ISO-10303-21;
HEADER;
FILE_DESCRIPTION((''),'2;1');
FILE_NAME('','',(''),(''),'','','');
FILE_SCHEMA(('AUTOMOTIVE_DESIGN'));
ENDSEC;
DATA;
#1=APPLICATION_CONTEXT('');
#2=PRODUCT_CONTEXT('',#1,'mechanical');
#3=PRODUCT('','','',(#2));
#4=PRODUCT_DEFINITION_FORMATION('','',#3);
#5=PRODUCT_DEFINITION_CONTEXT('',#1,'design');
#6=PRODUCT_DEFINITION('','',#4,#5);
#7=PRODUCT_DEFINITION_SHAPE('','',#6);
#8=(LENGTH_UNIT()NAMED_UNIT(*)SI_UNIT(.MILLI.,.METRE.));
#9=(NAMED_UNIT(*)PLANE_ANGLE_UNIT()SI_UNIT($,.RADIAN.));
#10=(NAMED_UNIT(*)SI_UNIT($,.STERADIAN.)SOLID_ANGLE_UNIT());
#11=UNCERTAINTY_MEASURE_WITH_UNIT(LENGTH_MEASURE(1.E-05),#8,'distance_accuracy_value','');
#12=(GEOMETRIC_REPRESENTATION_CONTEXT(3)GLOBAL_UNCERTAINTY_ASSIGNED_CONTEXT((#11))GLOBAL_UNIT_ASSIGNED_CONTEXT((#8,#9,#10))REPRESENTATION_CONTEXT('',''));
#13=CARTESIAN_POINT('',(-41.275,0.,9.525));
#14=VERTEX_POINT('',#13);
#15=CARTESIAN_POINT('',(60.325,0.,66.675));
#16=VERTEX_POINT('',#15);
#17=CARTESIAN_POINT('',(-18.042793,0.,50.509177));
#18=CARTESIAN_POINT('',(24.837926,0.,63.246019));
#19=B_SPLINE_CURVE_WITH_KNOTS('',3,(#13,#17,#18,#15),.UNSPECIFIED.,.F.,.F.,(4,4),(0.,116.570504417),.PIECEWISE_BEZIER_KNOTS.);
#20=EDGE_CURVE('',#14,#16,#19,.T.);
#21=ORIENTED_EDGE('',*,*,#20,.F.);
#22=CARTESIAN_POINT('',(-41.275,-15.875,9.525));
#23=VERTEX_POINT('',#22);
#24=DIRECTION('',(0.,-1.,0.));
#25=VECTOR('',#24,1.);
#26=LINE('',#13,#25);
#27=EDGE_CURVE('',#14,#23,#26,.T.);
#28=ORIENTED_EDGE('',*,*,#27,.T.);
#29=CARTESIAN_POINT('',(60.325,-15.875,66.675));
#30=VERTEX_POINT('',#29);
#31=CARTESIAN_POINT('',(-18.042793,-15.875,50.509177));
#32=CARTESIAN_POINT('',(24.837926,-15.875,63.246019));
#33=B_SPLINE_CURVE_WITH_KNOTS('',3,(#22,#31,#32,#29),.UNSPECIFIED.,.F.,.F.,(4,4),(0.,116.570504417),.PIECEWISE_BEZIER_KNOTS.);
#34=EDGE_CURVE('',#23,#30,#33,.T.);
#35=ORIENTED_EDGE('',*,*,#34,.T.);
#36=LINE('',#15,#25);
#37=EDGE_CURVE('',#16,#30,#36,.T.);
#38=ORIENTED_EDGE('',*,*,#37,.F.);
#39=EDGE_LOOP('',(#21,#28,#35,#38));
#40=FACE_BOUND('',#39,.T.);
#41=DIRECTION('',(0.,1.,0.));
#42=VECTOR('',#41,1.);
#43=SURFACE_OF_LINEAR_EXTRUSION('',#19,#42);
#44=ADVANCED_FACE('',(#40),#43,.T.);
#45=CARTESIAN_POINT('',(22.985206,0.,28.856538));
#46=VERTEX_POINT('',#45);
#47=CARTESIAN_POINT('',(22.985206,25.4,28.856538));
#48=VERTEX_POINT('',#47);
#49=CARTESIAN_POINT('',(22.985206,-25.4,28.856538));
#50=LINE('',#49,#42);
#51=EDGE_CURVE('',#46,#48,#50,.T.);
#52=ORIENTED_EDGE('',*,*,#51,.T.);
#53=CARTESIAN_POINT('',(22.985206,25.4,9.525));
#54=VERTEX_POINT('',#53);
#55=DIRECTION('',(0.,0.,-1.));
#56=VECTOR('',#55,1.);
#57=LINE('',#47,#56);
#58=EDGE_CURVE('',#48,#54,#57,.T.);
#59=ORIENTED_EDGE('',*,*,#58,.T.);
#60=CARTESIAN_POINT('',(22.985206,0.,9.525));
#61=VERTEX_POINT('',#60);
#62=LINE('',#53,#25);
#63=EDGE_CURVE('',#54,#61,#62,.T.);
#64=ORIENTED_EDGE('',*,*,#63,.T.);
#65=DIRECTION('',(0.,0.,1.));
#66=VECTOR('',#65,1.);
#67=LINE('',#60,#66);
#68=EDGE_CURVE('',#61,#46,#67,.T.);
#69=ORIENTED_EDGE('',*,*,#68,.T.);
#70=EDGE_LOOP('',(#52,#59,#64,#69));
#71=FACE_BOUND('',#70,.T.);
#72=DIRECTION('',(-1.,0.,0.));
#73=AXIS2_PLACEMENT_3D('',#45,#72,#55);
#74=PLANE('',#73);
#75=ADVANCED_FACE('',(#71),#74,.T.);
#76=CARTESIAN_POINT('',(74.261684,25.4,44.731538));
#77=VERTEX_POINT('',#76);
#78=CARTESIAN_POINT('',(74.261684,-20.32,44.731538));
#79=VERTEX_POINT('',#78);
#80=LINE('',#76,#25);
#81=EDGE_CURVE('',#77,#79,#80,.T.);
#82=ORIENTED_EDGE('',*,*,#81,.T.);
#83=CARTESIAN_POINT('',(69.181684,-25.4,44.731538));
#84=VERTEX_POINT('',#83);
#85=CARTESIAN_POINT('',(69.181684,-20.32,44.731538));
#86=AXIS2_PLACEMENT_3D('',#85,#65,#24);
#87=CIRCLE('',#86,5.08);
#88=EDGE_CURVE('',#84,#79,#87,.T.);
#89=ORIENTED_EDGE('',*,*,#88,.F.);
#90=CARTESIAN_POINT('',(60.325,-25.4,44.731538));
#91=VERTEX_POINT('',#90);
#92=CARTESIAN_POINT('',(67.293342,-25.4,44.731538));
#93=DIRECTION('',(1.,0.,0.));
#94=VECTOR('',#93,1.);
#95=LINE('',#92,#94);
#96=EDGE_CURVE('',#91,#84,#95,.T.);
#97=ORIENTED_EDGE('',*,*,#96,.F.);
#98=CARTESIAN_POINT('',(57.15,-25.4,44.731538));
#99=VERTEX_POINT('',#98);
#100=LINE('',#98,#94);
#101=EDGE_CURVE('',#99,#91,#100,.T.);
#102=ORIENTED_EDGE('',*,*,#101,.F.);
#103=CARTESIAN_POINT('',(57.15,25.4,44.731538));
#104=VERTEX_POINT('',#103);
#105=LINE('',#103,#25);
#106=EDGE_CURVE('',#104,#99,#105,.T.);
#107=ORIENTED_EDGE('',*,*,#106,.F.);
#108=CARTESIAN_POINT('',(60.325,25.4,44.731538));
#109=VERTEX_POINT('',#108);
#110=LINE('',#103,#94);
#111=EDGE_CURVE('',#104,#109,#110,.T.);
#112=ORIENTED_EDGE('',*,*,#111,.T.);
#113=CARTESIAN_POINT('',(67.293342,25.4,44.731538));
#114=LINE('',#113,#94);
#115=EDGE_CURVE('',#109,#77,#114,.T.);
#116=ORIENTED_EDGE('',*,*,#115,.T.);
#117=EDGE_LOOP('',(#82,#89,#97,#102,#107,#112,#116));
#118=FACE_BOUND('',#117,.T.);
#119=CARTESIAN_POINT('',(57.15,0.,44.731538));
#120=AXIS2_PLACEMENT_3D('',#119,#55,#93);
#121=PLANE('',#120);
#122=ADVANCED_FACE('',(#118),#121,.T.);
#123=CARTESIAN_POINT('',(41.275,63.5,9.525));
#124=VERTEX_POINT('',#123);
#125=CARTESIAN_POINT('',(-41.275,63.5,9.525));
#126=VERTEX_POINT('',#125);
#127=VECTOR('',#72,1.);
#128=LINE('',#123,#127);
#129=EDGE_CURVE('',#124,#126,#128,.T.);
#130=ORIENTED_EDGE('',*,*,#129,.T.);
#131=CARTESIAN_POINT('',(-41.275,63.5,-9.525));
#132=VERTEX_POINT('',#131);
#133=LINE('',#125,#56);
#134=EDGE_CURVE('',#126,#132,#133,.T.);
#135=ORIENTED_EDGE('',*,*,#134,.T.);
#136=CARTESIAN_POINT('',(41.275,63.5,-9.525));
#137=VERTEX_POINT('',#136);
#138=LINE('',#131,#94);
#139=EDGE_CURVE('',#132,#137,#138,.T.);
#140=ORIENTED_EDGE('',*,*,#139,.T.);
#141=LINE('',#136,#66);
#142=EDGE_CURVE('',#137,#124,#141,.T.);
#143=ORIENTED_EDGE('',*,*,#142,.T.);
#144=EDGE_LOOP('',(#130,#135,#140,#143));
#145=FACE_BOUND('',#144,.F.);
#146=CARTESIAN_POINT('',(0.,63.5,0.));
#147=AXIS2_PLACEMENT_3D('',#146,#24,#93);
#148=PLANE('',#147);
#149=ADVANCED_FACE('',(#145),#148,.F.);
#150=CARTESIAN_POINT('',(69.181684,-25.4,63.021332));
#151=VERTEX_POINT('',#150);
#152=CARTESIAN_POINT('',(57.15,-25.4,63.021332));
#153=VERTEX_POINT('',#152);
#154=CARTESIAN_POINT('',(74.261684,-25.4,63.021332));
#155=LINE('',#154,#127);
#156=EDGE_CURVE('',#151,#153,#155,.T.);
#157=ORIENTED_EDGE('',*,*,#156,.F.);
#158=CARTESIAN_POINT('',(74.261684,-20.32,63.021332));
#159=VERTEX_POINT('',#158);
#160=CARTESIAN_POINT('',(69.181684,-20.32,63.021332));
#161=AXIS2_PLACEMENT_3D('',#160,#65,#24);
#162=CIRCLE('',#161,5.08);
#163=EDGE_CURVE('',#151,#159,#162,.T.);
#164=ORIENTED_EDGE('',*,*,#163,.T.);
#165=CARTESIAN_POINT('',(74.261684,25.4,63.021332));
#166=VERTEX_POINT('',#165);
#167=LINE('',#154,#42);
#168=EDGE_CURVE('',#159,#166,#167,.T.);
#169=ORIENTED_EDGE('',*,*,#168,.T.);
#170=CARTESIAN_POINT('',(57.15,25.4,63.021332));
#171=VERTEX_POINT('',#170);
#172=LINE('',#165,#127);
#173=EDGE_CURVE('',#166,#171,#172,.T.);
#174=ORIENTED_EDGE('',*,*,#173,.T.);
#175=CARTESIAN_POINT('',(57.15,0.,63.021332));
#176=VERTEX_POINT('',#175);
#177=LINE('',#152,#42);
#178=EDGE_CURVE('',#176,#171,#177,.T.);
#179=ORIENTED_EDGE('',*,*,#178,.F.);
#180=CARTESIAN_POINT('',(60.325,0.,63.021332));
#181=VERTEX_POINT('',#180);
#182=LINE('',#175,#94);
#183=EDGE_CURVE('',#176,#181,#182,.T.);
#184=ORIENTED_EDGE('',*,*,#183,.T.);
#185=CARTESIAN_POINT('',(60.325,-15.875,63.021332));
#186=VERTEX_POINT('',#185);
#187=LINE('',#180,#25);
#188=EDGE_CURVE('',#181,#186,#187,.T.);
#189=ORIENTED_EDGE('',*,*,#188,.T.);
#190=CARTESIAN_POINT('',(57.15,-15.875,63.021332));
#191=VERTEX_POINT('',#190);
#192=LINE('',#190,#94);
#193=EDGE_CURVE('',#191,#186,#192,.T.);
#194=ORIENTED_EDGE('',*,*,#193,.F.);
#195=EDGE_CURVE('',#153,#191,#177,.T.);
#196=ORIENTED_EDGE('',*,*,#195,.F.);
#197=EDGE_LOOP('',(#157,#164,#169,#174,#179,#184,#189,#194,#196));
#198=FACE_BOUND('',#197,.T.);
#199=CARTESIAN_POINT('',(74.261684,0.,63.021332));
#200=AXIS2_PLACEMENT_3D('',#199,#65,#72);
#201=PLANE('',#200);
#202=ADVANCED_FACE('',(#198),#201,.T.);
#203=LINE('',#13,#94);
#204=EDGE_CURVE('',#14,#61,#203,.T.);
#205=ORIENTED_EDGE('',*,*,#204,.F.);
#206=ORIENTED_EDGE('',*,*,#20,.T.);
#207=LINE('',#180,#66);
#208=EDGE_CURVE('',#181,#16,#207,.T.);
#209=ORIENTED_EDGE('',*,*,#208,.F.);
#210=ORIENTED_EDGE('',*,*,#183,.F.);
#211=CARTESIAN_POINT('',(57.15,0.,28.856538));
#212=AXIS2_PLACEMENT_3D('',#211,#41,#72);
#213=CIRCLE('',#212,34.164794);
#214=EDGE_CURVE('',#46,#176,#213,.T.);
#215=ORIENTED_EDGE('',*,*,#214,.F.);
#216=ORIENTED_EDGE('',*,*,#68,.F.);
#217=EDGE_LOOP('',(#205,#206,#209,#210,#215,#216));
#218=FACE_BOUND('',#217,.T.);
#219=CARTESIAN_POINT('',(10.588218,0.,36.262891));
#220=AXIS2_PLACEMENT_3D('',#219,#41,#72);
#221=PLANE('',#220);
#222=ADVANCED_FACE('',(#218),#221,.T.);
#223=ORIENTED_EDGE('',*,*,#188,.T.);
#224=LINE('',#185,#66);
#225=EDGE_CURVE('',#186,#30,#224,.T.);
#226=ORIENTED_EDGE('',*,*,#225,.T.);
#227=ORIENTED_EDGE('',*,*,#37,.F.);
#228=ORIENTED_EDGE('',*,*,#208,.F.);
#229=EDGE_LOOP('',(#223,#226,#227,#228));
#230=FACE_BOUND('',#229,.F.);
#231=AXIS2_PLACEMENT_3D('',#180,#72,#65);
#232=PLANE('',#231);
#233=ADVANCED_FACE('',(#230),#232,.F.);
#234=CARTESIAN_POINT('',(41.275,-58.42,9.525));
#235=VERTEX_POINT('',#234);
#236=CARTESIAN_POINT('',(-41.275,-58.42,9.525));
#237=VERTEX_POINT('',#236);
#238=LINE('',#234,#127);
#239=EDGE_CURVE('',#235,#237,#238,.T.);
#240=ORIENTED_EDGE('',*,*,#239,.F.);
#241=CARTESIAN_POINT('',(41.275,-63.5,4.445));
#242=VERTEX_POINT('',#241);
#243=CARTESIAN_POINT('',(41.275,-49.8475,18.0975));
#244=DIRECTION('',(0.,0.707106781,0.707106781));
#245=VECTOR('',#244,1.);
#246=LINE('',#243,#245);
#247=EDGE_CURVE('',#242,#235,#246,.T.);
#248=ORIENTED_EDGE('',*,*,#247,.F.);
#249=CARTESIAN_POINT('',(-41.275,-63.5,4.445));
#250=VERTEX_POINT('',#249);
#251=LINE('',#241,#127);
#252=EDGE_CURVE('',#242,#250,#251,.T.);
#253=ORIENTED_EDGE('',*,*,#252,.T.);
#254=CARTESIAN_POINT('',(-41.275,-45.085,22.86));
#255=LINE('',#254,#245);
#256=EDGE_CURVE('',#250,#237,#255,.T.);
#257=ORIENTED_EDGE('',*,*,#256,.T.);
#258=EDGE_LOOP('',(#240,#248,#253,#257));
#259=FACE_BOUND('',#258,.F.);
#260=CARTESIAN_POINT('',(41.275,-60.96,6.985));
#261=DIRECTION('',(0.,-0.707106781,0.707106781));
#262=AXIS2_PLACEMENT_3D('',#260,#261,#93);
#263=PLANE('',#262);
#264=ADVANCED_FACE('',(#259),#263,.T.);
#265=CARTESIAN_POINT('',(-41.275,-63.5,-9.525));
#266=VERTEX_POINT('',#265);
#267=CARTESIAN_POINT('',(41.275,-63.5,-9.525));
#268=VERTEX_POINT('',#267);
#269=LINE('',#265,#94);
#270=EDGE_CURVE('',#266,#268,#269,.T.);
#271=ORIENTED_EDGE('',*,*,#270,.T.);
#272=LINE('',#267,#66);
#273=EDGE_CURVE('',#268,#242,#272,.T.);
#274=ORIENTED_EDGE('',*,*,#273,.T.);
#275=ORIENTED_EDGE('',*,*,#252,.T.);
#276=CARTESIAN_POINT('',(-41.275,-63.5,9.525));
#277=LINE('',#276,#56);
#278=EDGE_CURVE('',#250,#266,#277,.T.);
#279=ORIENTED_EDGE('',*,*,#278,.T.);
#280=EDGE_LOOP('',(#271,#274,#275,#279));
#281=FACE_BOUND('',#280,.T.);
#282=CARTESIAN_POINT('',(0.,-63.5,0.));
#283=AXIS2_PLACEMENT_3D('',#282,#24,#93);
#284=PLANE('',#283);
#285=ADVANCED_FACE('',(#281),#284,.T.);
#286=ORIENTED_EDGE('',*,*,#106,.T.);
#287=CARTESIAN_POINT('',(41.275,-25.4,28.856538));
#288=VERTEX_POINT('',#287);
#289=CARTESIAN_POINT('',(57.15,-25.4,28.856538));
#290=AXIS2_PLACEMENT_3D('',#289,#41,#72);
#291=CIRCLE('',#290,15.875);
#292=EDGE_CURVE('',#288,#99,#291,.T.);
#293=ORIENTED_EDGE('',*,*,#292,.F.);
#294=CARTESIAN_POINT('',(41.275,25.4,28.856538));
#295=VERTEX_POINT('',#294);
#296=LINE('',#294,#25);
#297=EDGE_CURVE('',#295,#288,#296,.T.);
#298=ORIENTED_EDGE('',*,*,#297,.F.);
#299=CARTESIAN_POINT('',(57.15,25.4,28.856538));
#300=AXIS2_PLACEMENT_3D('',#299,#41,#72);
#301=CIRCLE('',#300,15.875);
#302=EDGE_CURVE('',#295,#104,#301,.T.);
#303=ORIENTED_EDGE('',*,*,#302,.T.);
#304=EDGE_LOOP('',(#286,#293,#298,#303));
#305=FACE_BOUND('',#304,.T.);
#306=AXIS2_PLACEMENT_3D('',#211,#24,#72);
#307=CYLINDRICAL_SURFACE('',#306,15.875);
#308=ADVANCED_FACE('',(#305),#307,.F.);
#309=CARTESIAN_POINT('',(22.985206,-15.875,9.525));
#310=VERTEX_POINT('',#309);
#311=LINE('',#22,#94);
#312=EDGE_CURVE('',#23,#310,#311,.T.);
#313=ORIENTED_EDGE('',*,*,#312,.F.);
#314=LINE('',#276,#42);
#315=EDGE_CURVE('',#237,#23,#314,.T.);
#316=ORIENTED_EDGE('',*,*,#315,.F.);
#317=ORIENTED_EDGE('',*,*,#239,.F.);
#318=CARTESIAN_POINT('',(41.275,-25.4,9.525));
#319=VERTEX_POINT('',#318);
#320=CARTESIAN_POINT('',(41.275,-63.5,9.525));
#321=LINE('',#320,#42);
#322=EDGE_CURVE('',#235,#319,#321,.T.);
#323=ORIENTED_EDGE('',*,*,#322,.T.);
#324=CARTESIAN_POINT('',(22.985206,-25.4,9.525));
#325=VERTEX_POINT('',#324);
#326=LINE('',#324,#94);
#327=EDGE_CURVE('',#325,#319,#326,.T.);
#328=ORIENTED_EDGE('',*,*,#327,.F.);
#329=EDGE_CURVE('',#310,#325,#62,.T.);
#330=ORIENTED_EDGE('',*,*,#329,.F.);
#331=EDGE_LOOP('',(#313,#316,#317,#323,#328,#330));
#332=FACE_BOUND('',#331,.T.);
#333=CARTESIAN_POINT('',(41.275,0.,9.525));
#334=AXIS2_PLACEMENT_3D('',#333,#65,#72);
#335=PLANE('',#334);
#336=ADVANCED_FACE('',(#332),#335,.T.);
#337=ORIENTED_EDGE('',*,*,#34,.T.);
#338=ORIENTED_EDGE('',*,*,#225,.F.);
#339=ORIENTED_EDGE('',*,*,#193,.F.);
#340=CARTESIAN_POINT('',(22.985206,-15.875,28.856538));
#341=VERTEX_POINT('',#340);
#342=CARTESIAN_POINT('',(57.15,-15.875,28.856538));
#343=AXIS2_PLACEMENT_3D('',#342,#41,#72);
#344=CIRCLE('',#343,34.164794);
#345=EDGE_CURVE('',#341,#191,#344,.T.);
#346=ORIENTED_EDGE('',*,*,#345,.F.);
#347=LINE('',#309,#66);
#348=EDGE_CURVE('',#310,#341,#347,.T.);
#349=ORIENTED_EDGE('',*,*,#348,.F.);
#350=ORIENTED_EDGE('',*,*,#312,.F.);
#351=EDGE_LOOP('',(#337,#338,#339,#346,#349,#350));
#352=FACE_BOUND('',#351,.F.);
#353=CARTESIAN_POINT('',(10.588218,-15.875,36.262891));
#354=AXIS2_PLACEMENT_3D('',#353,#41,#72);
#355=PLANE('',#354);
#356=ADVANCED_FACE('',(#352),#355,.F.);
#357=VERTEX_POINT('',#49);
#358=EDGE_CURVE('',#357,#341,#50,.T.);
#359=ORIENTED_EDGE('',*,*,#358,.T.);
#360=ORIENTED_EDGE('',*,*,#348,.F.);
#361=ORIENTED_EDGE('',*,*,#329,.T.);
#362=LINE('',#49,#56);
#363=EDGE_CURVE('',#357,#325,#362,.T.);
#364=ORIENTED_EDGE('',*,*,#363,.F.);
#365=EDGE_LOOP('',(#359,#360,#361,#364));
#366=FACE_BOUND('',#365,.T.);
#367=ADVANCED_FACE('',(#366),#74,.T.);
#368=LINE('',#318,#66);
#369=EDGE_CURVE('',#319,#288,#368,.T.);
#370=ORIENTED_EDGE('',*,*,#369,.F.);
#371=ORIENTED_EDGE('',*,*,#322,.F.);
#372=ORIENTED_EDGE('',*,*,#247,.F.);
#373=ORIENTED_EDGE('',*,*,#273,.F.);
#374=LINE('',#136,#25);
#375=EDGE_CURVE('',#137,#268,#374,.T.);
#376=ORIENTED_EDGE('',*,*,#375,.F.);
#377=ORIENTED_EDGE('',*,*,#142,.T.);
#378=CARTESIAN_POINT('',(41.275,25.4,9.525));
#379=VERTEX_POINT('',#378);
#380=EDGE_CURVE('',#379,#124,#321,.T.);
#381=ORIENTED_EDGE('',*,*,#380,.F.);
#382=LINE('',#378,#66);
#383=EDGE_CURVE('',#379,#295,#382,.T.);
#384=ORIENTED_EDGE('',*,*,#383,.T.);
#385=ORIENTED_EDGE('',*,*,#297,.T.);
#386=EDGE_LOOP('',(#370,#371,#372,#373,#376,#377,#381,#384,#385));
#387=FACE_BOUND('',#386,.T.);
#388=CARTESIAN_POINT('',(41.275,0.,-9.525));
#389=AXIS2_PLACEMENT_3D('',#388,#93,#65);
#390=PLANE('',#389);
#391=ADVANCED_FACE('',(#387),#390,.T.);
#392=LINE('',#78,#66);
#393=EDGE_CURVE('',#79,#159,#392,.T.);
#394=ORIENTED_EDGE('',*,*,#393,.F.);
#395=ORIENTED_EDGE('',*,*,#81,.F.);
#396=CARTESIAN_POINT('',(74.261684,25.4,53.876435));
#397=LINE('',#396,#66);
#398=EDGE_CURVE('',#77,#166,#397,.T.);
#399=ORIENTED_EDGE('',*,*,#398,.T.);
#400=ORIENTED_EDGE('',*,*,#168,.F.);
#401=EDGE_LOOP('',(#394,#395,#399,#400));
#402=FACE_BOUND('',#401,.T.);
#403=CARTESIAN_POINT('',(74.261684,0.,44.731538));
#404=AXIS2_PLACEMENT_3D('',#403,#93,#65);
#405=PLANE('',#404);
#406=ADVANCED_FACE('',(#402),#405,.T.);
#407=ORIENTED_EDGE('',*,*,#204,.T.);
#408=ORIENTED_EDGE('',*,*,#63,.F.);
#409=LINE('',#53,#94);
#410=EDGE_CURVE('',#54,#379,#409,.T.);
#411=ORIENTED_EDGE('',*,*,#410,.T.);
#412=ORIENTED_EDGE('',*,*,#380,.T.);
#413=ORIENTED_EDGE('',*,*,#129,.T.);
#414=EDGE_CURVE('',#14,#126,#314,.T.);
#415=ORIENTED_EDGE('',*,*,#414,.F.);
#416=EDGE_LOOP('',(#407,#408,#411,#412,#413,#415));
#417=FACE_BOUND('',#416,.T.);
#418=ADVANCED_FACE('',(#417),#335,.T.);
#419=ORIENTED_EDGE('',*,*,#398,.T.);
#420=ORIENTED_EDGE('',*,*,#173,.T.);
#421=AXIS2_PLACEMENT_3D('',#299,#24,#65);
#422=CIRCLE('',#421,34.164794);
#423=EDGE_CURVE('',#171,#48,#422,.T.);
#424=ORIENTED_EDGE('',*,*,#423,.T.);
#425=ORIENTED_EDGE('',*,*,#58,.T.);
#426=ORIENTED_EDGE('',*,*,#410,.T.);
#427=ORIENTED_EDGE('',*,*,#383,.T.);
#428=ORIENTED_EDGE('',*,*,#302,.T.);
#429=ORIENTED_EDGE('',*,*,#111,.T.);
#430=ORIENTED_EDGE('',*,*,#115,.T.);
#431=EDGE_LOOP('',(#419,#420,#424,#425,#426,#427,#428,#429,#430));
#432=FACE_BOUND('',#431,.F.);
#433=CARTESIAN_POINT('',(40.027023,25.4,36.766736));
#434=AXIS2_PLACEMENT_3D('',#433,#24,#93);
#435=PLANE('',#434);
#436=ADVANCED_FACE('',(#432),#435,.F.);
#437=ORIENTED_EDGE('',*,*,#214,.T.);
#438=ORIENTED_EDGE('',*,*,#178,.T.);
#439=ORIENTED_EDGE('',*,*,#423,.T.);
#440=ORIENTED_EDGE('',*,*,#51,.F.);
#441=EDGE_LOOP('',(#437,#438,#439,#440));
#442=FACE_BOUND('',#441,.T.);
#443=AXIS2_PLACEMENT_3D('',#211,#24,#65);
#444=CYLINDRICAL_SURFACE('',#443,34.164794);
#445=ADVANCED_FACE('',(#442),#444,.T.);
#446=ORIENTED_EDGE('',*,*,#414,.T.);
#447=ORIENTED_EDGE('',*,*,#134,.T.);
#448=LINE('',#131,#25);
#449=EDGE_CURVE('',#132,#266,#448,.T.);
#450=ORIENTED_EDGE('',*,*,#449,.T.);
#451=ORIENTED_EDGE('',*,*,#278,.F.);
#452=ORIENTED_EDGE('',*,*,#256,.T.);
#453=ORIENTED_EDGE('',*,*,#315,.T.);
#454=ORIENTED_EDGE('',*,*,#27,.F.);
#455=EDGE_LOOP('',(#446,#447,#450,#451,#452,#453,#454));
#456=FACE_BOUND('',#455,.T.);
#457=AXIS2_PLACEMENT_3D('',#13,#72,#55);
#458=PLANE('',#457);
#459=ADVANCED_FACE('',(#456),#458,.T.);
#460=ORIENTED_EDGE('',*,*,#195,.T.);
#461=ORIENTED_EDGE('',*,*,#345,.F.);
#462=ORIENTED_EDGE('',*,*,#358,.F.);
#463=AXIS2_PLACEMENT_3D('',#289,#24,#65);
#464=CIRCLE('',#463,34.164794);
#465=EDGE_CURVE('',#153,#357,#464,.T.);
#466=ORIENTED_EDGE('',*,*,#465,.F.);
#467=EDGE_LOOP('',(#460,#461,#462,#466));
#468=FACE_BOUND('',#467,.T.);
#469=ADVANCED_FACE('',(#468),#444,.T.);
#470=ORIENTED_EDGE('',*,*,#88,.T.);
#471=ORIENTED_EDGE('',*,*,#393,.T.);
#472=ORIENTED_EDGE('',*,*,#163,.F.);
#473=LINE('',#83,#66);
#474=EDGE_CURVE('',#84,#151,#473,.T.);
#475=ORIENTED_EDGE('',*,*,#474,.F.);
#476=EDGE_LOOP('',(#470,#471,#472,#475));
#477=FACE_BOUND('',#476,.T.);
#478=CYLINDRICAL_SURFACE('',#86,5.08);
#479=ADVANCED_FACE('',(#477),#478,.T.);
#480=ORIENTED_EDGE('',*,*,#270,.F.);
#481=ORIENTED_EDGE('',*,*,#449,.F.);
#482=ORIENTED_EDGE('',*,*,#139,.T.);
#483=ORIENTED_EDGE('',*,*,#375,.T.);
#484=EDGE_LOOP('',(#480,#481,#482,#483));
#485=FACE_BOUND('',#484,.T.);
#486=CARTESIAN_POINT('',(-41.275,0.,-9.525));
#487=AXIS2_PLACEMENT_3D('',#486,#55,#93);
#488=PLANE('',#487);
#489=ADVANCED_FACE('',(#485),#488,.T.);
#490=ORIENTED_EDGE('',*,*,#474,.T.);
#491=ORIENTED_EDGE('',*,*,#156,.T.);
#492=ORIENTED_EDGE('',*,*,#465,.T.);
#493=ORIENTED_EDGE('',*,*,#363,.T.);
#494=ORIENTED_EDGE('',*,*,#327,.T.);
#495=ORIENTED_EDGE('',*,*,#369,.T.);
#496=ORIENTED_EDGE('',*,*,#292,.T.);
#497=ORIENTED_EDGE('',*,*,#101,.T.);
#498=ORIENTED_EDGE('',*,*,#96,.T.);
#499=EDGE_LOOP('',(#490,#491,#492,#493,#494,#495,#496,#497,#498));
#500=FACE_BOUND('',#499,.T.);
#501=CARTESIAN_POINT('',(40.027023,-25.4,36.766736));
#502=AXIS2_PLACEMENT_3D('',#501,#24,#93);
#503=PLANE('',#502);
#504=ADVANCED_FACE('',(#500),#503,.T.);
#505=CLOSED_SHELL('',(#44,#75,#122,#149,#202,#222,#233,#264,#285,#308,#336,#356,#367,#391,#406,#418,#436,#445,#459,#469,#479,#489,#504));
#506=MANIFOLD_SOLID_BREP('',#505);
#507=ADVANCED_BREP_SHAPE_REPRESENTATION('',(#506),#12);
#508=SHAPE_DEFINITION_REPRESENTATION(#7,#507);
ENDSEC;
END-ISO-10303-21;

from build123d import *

# Parameters (mm, degrees)
F1_DEPTH = 63.5
F0_W     = 13.9366841115
F0_H     = 18.2897937342
F2_DEPTH = 25.4
F3_DEPTH = 15.875
F4_SIZE  = 5.08
F5_R     = 5.08


with BuildPart() as f1:
    # F0 (on Front) → F1 (new body, symmetric)
    with BuildSketch(Plane.XZ):
        Polygon((22.9852062658, 9.525), (-41.275, 9.525), (-41.275, -9.525), (41.275, -9.525), (41.275, 9.525), align=None)
    extrude(amount=F1_DEPTH, both=True)

    # F0 (on Front) → F2 (join, symmetric)
    with BuildSketch(Plane.XZ):
        with BuildLine():
            Line((22.9852062658, 28.8565382361), (22.9852062658, 9.525))
            Line((22.9852062658, 9.525), (41.275, 9.525))
            Line((41.275, 9.525), (41.275, 28.8565382361))
            ThreePointArc((41.275, 28.8565382361), (45.9246798487, 40.0818583875), (57.15, 44.7315382361))
            Line((57.15, 44.7315382361), (60.325, 44.7315382361))
            Line((60.325, 44.7315382361), (60.325, 63.0213319704))
            Line((60.325, 63.0213319704), (57.15, 63.0213319704))
            ThreePointArc((57.15, 63.0213319704), (32.9918426727, 53.0146955635), (22.9852062658, 28.8565382361))
        make_face()
        with Locations((67.2933420557, 53.8764351033)):
            Rectangle(F0_W, F0_H)
    extrude(amount=F2_DEPTH, both=True)

    # F0 (on Front) → F3 (join)
    with BuildSketch(Plane.XZ):
        with BuildLine():
            add(Edge.make_bspline(
                [(-41.275, 9.525), (-18.0427934974, 50.5091771483), (24.8379260302, 63.2460191846), (60.325, 66.675)],
                knots=[0, 0, 0, 0, 116.5705044169, 116.5705044169, 116.5705044169, 116.5705044169], degree=3))
            Line((-41.275, 9.525), (22.9852062658, 9.525))
            Line((22.9852062658, 9.525), (22.9852062658, 28.8565382361))
            ThreePointArc((22.9852062658, 28.8565382361), (32.9918426727, 53.0146955635), (57.15, 63.0213319704))
            Line((57.15, 63.0213319704), (60.325, 63.0213319704))
            Line((60.325, 63.0213319704), (60.325, 66.675))
        make_face()
    extrude(amount=F3_DEPTH)

    # F4
    f4_edges = [f1.edges().sort_by_distance(p)[0] for p in [
        (0, -63.5, 9.525),
    ]]
    chamfer(f4_edges, length=F4_SIZE)

    # F5
    f5_edges = [f1.edges().sort_by_distance(p)[0] for p in [
        (74.261684, -25.4, 53.876435),
    ]]
    fillet(f5_edges, radius=F5_R)


solid = f1.part
